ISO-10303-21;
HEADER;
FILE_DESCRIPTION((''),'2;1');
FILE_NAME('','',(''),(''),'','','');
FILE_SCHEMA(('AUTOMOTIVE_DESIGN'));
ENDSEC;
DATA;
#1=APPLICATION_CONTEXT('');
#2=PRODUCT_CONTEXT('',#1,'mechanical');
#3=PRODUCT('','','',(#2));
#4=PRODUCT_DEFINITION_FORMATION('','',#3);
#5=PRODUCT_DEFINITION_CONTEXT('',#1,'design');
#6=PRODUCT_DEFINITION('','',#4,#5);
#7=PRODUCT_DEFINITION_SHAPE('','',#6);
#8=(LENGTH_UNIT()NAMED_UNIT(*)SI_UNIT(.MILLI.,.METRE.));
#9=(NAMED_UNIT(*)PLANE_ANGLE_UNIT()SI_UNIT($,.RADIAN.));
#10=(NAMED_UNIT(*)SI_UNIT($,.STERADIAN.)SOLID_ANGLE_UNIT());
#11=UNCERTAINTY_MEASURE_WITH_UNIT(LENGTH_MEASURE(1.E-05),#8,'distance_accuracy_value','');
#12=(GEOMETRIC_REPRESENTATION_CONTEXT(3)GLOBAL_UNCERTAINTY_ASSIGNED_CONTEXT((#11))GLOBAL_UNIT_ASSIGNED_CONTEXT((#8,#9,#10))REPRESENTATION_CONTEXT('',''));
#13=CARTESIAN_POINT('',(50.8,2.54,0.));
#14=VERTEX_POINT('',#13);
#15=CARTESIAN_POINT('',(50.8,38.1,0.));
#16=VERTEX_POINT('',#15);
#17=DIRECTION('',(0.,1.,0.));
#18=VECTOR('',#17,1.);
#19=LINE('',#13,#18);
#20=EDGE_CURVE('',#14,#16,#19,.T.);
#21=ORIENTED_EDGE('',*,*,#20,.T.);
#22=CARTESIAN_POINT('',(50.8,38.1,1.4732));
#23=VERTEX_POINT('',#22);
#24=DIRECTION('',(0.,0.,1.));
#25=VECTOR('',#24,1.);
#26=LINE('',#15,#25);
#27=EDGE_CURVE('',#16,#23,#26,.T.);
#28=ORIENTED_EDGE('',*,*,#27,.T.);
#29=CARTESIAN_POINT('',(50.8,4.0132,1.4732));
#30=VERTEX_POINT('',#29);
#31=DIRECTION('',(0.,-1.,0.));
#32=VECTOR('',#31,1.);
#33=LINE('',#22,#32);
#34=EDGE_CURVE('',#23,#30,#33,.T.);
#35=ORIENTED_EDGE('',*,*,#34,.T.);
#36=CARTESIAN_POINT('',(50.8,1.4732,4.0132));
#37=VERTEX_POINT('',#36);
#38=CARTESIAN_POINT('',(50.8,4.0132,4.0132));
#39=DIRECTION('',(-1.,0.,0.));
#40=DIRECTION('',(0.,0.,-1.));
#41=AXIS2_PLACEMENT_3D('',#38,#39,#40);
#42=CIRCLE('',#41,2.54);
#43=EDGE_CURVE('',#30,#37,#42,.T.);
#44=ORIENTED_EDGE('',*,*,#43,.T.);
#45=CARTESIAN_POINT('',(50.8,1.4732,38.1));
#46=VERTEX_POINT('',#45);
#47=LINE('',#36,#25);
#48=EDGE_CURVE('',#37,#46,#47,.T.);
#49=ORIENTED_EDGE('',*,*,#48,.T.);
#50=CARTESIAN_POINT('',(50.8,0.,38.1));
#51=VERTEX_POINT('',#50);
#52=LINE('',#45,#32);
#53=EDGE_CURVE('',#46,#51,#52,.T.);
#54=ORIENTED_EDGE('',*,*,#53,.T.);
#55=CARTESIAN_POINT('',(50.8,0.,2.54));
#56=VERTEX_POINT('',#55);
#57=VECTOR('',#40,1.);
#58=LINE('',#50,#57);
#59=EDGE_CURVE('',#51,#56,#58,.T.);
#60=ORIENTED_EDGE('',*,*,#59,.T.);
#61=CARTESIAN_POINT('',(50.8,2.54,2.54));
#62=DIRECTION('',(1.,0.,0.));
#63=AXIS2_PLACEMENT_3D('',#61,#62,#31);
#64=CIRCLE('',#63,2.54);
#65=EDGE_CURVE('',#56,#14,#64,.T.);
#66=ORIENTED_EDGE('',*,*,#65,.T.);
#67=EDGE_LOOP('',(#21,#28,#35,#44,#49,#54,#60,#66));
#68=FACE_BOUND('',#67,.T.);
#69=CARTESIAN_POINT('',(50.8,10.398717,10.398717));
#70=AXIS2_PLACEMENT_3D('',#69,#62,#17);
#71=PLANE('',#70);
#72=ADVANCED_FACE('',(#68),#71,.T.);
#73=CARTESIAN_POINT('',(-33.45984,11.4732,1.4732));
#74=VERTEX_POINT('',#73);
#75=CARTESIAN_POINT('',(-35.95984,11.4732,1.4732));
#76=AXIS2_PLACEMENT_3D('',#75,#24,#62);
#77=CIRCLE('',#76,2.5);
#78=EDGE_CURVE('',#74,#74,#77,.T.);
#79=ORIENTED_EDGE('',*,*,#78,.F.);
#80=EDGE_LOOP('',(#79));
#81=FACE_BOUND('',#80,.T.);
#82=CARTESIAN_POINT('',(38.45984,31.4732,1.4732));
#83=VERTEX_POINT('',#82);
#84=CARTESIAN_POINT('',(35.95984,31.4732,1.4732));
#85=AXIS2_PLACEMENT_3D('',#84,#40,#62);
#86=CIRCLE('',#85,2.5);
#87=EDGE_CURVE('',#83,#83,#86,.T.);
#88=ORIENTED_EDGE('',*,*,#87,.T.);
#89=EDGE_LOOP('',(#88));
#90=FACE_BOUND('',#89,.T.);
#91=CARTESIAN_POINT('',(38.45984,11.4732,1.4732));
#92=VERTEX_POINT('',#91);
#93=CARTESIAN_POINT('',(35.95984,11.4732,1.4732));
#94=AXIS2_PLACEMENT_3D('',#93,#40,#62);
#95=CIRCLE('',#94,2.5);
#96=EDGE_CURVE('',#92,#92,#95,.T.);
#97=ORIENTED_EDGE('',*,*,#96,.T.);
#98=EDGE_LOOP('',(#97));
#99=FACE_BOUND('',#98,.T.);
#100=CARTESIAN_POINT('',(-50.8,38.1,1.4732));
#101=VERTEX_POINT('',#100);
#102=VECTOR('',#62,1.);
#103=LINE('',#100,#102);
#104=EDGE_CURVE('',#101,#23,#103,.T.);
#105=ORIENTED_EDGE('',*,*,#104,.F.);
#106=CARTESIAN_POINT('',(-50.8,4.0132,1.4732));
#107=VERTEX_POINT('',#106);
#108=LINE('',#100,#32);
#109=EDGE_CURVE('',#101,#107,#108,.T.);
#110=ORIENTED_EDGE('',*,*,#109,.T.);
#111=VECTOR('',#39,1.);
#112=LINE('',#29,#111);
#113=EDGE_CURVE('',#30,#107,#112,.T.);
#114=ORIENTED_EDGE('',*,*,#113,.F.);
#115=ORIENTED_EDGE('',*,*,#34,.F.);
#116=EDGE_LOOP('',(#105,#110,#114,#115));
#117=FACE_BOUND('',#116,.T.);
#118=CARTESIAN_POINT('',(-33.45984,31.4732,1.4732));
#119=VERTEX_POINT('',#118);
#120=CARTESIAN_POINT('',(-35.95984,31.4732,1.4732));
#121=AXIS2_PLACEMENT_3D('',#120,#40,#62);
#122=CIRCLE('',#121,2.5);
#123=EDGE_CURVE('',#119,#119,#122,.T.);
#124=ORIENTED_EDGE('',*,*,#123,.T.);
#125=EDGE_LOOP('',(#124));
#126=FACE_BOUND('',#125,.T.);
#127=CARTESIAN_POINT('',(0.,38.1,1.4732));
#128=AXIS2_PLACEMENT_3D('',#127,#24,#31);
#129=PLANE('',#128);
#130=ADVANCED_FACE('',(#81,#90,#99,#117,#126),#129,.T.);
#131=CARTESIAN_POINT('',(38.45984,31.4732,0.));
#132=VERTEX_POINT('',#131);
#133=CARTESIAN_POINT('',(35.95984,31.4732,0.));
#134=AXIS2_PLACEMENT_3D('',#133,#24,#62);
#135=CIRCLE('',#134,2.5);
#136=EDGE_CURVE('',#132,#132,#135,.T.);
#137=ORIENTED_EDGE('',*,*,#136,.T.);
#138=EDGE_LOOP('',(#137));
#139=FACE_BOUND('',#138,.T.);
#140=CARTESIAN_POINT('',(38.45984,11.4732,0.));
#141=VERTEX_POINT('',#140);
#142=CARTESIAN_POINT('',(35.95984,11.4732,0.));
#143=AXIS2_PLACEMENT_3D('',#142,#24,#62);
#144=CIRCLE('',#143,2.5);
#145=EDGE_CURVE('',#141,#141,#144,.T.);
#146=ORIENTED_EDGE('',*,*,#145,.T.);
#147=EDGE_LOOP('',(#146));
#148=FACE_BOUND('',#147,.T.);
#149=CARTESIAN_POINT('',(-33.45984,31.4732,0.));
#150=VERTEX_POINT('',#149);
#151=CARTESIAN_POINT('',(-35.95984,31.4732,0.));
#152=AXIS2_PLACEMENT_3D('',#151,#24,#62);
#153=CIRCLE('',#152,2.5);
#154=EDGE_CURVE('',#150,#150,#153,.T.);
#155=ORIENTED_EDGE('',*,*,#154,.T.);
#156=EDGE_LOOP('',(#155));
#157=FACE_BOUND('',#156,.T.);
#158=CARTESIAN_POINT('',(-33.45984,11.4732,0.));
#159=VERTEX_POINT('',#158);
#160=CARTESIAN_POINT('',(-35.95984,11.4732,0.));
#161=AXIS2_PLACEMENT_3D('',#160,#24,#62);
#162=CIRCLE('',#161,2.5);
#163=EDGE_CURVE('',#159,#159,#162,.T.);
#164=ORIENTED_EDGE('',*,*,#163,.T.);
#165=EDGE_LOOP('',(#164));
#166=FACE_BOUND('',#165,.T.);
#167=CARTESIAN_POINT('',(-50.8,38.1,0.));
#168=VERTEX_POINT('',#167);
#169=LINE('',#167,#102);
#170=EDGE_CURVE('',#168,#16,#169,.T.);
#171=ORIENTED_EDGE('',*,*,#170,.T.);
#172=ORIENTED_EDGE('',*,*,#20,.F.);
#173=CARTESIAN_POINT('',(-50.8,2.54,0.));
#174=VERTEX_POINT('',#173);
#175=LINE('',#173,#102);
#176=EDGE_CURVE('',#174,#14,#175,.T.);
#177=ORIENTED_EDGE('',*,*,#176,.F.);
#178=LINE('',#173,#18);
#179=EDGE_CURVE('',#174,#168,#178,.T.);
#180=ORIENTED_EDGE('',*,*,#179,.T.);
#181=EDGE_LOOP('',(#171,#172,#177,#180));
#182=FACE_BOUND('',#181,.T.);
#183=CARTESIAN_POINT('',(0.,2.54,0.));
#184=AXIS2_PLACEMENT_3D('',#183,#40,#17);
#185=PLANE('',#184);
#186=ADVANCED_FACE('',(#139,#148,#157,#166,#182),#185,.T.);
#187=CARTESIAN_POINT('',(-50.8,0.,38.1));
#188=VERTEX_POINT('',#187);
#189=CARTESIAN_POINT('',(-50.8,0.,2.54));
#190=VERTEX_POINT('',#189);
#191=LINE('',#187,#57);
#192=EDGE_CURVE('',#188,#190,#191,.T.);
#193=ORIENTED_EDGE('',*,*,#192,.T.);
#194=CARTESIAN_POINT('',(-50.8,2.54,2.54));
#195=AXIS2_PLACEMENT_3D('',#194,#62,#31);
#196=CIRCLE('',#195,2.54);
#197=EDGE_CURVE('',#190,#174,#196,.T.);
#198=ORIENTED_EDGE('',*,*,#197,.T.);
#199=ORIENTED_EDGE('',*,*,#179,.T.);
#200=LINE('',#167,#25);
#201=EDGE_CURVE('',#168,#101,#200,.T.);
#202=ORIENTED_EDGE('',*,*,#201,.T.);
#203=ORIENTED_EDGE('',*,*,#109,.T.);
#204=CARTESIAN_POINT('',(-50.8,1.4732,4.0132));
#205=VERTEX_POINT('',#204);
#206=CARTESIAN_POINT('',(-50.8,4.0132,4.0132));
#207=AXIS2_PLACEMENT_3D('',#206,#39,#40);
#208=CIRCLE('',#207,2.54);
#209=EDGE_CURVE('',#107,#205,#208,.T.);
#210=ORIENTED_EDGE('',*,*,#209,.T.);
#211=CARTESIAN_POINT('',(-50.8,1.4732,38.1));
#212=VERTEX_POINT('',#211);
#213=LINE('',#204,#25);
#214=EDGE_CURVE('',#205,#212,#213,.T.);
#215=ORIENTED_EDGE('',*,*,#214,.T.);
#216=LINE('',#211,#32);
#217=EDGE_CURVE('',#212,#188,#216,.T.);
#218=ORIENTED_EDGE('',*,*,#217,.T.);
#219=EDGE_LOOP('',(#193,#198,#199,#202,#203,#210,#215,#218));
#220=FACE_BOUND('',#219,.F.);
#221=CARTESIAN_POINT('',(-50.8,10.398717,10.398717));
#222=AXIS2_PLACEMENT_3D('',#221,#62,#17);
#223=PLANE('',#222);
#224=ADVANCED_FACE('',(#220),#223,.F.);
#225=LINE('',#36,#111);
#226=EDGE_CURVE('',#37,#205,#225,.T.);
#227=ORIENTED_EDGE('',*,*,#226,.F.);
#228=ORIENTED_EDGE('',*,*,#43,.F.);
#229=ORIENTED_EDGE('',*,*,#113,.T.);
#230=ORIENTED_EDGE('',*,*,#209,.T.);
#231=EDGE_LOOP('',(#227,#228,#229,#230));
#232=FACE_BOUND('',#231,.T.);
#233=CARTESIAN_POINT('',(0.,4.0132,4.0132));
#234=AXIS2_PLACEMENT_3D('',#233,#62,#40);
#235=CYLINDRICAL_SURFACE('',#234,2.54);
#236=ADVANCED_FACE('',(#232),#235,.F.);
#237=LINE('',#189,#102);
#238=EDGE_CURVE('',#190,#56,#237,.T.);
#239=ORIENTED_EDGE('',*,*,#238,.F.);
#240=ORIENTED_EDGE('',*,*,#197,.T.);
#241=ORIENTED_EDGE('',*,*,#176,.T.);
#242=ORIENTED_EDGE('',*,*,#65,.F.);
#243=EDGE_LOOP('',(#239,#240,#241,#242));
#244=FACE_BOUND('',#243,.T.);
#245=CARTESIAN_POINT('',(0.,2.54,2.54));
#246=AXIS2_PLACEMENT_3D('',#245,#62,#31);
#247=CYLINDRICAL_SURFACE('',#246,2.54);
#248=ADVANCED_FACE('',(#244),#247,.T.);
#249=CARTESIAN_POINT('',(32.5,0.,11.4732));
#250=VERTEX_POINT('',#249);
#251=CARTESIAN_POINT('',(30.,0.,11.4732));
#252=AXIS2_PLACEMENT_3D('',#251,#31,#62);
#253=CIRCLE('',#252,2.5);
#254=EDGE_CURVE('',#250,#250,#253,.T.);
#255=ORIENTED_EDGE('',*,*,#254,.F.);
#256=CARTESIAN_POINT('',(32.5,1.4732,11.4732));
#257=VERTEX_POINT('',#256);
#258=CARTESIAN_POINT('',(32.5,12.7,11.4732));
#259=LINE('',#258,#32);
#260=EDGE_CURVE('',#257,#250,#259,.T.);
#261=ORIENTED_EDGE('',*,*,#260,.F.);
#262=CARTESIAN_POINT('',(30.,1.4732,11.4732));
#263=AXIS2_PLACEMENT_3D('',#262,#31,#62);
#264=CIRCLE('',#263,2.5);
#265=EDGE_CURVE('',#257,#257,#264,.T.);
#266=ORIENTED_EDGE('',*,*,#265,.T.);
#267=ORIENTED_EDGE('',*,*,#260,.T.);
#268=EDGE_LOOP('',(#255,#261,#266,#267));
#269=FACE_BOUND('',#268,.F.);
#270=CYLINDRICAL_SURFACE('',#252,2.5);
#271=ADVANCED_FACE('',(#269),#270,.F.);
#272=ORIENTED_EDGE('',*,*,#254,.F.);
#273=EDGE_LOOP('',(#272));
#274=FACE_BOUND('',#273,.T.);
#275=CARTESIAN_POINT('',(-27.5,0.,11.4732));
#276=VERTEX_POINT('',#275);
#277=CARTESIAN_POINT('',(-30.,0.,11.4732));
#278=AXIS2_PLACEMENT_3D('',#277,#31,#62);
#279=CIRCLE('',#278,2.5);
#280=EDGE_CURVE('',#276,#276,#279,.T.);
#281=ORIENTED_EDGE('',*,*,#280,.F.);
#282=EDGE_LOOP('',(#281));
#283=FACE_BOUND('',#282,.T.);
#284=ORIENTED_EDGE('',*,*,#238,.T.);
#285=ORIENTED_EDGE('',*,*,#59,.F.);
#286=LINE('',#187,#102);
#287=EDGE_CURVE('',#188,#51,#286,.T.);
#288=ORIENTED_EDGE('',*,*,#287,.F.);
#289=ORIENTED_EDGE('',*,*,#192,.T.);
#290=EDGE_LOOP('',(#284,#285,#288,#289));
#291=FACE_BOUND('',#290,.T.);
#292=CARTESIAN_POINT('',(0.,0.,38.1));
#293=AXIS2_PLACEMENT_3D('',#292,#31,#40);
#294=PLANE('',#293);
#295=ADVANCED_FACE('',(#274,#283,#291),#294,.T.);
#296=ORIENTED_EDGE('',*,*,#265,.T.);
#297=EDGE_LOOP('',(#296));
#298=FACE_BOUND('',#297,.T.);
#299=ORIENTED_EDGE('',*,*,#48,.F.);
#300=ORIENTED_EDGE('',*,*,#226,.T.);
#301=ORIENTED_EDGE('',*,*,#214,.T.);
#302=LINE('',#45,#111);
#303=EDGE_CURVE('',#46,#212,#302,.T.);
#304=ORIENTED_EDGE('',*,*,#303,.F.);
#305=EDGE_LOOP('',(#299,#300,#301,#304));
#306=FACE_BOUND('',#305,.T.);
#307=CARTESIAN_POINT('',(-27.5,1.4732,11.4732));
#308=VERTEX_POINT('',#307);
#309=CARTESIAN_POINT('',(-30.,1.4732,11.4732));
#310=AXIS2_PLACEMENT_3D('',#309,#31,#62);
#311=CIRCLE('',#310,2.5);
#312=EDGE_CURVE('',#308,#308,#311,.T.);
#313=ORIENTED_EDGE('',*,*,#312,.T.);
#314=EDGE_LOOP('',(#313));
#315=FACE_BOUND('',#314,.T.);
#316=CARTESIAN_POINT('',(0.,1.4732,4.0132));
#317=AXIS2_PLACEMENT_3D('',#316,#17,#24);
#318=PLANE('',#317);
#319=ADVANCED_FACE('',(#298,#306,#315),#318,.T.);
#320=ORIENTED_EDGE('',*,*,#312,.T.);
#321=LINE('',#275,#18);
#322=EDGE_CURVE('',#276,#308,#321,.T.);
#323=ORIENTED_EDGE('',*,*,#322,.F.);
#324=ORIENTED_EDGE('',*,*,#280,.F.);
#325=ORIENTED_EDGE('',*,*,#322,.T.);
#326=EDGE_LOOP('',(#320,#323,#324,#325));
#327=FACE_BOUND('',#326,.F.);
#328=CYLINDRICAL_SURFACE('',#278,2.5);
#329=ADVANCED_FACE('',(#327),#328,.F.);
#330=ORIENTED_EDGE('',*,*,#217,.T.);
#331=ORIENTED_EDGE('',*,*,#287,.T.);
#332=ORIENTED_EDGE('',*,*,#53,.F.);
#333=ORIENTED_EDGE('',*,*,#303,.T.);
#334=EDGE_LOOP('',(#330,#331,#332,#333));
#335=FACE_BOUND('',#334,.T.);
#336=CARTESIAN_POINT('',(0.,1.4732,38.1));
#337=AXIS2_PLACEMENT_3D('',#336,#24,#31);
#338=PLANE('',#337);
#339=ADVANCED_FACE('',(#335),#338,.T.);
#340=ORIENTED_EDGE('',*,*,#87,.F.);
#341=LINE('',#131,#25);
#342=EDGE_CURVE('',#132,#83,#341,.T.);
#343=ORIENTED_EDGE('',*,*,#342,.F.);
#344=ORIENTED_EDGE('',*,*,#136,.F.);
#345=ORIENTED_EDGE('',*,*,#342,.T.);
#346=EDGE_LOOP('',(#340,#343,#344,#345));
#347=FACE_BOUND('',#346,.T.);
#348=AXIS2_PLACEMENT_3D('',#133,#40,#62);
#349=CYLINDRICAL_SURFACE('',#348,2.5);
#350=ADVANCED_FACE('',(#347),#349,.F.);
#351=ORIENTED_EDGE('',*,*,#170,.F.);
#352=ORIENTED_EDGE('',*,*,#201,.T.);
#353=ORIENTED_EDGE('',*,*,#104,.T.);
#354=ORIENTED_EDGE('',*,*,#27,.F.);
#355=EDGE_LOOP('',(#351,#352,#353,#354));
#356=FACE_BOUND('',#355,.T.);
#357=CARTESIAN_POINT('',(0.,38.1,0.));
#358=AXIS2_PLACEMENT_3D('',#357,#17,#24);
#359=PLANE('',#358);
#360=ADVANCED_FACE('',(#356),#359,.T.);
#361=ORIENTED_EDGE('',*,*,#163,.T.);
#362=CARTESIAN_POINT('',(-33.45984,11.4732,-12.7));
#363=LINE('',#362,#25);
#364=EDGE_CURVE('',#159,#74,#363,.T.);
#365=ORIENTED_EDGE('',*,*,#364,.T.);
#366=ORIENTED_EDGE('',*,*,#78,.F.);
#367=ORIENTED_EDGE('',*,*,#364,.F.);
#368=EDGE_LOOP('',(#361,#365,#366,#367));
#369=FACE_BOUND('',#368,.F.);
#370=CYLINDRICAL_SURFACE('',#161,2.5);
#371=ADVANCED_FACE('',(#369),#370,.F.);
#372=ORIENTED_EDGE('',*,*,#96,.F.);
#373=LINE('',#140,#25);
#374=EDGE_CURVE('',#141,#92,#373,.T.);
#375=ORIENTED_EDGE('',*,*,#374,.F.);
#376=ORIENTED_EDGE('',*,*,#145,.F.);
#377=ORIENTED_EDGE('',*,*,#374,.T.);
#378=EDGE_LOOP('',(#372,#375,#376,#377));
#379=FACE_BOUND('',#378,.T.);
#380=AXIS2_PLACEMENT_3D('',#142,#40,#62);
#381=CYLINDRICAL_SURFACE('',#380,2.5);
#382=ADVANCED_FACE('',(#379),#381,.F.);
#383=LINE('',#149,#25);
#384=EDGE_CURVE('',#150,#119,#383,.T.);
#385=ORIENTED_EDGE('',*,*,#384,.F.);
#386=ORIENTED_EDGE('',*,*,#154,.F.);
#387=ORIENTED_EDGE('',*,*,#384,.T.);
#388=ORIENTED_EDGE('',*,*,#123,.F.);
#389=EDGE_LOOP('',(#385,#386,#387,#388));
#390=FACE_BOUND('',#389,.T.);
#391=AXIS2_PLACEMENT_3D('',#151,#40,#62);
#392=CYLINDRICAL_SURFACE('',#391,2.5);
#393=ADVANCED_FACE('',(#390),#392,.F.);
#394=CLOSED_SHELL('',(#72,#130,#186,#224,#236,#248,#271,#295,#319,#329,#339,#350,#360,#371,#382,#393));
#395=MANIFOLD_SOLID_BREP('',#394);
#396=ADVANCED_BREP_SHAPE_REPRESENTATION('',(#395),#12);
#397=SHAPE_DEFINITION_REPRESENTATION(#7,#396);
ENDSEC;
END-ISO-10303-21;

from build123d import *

# Parameters (mm, degrees)
F1_DEPTH = 50.8
F2_R     = 2.5
F3_DEPTH = 12.7
F4_R     = 2.5
F5_DEPTH = 12.7


with BuildPart() as f1:
    # F0 (on Right) → F1 (new body, symmetric)
    with BuildSketch(Plane.YZ):
        with BuildLine():
            Line((1.4732, 38.1), (0, 38.1))
            Line((0, 38.1), (0, 2.54))
            ThreePointArc((0, 2.54), (0.7439487758, 0.7439487758), (2.54, 0))
            Line((2.54, 0), (38.1, 0))
            Line((38.1, 0), (38.1, 1.4732))
            Line((38.1, 1.4732), (4.0132, 1.4732))
            ThreePointArc((4.0132, 1.4732), (2.2171487758, 2.2171487758), (1.4732, 4.0132))
            Line((1.4732, 4.0132), (1.4732, 38.1))
        make_face()
    extrude(amount=F1_DEPTH, both=True)

    # F2 (on Top) → F3 (cut, symmetric)
    with BuildSketch(Plane.XY):
        with Locations((35.9598398209, 11.4732)):
            Circle(F2_R)
        with Locations((35.9598398209, 31.4732)):
            Circle(F2_R)
        with Locations((-35.9598398209, 31.4732)):
            Circle(F2_R)
        with Locations((-35.9598398209, 11.4732)):
            Circle(F2_R)
    extrude(amount=F3_DEPTH, both=True, mode=Mode.SUBTRACT)

    # F4 (on Front) → F5 (cut, symmetric)
    with BuildSketch(Plane.XZ):
        with Locations((-30, 11.4732)):
            Circle(F4_R)
        with Locations((30, 11.4732)):
            Circle(F4_R)
    extrude(amount=F5_DEPTH, both=True, mode=Mode.SUBTRACT)


solid = f1.part
